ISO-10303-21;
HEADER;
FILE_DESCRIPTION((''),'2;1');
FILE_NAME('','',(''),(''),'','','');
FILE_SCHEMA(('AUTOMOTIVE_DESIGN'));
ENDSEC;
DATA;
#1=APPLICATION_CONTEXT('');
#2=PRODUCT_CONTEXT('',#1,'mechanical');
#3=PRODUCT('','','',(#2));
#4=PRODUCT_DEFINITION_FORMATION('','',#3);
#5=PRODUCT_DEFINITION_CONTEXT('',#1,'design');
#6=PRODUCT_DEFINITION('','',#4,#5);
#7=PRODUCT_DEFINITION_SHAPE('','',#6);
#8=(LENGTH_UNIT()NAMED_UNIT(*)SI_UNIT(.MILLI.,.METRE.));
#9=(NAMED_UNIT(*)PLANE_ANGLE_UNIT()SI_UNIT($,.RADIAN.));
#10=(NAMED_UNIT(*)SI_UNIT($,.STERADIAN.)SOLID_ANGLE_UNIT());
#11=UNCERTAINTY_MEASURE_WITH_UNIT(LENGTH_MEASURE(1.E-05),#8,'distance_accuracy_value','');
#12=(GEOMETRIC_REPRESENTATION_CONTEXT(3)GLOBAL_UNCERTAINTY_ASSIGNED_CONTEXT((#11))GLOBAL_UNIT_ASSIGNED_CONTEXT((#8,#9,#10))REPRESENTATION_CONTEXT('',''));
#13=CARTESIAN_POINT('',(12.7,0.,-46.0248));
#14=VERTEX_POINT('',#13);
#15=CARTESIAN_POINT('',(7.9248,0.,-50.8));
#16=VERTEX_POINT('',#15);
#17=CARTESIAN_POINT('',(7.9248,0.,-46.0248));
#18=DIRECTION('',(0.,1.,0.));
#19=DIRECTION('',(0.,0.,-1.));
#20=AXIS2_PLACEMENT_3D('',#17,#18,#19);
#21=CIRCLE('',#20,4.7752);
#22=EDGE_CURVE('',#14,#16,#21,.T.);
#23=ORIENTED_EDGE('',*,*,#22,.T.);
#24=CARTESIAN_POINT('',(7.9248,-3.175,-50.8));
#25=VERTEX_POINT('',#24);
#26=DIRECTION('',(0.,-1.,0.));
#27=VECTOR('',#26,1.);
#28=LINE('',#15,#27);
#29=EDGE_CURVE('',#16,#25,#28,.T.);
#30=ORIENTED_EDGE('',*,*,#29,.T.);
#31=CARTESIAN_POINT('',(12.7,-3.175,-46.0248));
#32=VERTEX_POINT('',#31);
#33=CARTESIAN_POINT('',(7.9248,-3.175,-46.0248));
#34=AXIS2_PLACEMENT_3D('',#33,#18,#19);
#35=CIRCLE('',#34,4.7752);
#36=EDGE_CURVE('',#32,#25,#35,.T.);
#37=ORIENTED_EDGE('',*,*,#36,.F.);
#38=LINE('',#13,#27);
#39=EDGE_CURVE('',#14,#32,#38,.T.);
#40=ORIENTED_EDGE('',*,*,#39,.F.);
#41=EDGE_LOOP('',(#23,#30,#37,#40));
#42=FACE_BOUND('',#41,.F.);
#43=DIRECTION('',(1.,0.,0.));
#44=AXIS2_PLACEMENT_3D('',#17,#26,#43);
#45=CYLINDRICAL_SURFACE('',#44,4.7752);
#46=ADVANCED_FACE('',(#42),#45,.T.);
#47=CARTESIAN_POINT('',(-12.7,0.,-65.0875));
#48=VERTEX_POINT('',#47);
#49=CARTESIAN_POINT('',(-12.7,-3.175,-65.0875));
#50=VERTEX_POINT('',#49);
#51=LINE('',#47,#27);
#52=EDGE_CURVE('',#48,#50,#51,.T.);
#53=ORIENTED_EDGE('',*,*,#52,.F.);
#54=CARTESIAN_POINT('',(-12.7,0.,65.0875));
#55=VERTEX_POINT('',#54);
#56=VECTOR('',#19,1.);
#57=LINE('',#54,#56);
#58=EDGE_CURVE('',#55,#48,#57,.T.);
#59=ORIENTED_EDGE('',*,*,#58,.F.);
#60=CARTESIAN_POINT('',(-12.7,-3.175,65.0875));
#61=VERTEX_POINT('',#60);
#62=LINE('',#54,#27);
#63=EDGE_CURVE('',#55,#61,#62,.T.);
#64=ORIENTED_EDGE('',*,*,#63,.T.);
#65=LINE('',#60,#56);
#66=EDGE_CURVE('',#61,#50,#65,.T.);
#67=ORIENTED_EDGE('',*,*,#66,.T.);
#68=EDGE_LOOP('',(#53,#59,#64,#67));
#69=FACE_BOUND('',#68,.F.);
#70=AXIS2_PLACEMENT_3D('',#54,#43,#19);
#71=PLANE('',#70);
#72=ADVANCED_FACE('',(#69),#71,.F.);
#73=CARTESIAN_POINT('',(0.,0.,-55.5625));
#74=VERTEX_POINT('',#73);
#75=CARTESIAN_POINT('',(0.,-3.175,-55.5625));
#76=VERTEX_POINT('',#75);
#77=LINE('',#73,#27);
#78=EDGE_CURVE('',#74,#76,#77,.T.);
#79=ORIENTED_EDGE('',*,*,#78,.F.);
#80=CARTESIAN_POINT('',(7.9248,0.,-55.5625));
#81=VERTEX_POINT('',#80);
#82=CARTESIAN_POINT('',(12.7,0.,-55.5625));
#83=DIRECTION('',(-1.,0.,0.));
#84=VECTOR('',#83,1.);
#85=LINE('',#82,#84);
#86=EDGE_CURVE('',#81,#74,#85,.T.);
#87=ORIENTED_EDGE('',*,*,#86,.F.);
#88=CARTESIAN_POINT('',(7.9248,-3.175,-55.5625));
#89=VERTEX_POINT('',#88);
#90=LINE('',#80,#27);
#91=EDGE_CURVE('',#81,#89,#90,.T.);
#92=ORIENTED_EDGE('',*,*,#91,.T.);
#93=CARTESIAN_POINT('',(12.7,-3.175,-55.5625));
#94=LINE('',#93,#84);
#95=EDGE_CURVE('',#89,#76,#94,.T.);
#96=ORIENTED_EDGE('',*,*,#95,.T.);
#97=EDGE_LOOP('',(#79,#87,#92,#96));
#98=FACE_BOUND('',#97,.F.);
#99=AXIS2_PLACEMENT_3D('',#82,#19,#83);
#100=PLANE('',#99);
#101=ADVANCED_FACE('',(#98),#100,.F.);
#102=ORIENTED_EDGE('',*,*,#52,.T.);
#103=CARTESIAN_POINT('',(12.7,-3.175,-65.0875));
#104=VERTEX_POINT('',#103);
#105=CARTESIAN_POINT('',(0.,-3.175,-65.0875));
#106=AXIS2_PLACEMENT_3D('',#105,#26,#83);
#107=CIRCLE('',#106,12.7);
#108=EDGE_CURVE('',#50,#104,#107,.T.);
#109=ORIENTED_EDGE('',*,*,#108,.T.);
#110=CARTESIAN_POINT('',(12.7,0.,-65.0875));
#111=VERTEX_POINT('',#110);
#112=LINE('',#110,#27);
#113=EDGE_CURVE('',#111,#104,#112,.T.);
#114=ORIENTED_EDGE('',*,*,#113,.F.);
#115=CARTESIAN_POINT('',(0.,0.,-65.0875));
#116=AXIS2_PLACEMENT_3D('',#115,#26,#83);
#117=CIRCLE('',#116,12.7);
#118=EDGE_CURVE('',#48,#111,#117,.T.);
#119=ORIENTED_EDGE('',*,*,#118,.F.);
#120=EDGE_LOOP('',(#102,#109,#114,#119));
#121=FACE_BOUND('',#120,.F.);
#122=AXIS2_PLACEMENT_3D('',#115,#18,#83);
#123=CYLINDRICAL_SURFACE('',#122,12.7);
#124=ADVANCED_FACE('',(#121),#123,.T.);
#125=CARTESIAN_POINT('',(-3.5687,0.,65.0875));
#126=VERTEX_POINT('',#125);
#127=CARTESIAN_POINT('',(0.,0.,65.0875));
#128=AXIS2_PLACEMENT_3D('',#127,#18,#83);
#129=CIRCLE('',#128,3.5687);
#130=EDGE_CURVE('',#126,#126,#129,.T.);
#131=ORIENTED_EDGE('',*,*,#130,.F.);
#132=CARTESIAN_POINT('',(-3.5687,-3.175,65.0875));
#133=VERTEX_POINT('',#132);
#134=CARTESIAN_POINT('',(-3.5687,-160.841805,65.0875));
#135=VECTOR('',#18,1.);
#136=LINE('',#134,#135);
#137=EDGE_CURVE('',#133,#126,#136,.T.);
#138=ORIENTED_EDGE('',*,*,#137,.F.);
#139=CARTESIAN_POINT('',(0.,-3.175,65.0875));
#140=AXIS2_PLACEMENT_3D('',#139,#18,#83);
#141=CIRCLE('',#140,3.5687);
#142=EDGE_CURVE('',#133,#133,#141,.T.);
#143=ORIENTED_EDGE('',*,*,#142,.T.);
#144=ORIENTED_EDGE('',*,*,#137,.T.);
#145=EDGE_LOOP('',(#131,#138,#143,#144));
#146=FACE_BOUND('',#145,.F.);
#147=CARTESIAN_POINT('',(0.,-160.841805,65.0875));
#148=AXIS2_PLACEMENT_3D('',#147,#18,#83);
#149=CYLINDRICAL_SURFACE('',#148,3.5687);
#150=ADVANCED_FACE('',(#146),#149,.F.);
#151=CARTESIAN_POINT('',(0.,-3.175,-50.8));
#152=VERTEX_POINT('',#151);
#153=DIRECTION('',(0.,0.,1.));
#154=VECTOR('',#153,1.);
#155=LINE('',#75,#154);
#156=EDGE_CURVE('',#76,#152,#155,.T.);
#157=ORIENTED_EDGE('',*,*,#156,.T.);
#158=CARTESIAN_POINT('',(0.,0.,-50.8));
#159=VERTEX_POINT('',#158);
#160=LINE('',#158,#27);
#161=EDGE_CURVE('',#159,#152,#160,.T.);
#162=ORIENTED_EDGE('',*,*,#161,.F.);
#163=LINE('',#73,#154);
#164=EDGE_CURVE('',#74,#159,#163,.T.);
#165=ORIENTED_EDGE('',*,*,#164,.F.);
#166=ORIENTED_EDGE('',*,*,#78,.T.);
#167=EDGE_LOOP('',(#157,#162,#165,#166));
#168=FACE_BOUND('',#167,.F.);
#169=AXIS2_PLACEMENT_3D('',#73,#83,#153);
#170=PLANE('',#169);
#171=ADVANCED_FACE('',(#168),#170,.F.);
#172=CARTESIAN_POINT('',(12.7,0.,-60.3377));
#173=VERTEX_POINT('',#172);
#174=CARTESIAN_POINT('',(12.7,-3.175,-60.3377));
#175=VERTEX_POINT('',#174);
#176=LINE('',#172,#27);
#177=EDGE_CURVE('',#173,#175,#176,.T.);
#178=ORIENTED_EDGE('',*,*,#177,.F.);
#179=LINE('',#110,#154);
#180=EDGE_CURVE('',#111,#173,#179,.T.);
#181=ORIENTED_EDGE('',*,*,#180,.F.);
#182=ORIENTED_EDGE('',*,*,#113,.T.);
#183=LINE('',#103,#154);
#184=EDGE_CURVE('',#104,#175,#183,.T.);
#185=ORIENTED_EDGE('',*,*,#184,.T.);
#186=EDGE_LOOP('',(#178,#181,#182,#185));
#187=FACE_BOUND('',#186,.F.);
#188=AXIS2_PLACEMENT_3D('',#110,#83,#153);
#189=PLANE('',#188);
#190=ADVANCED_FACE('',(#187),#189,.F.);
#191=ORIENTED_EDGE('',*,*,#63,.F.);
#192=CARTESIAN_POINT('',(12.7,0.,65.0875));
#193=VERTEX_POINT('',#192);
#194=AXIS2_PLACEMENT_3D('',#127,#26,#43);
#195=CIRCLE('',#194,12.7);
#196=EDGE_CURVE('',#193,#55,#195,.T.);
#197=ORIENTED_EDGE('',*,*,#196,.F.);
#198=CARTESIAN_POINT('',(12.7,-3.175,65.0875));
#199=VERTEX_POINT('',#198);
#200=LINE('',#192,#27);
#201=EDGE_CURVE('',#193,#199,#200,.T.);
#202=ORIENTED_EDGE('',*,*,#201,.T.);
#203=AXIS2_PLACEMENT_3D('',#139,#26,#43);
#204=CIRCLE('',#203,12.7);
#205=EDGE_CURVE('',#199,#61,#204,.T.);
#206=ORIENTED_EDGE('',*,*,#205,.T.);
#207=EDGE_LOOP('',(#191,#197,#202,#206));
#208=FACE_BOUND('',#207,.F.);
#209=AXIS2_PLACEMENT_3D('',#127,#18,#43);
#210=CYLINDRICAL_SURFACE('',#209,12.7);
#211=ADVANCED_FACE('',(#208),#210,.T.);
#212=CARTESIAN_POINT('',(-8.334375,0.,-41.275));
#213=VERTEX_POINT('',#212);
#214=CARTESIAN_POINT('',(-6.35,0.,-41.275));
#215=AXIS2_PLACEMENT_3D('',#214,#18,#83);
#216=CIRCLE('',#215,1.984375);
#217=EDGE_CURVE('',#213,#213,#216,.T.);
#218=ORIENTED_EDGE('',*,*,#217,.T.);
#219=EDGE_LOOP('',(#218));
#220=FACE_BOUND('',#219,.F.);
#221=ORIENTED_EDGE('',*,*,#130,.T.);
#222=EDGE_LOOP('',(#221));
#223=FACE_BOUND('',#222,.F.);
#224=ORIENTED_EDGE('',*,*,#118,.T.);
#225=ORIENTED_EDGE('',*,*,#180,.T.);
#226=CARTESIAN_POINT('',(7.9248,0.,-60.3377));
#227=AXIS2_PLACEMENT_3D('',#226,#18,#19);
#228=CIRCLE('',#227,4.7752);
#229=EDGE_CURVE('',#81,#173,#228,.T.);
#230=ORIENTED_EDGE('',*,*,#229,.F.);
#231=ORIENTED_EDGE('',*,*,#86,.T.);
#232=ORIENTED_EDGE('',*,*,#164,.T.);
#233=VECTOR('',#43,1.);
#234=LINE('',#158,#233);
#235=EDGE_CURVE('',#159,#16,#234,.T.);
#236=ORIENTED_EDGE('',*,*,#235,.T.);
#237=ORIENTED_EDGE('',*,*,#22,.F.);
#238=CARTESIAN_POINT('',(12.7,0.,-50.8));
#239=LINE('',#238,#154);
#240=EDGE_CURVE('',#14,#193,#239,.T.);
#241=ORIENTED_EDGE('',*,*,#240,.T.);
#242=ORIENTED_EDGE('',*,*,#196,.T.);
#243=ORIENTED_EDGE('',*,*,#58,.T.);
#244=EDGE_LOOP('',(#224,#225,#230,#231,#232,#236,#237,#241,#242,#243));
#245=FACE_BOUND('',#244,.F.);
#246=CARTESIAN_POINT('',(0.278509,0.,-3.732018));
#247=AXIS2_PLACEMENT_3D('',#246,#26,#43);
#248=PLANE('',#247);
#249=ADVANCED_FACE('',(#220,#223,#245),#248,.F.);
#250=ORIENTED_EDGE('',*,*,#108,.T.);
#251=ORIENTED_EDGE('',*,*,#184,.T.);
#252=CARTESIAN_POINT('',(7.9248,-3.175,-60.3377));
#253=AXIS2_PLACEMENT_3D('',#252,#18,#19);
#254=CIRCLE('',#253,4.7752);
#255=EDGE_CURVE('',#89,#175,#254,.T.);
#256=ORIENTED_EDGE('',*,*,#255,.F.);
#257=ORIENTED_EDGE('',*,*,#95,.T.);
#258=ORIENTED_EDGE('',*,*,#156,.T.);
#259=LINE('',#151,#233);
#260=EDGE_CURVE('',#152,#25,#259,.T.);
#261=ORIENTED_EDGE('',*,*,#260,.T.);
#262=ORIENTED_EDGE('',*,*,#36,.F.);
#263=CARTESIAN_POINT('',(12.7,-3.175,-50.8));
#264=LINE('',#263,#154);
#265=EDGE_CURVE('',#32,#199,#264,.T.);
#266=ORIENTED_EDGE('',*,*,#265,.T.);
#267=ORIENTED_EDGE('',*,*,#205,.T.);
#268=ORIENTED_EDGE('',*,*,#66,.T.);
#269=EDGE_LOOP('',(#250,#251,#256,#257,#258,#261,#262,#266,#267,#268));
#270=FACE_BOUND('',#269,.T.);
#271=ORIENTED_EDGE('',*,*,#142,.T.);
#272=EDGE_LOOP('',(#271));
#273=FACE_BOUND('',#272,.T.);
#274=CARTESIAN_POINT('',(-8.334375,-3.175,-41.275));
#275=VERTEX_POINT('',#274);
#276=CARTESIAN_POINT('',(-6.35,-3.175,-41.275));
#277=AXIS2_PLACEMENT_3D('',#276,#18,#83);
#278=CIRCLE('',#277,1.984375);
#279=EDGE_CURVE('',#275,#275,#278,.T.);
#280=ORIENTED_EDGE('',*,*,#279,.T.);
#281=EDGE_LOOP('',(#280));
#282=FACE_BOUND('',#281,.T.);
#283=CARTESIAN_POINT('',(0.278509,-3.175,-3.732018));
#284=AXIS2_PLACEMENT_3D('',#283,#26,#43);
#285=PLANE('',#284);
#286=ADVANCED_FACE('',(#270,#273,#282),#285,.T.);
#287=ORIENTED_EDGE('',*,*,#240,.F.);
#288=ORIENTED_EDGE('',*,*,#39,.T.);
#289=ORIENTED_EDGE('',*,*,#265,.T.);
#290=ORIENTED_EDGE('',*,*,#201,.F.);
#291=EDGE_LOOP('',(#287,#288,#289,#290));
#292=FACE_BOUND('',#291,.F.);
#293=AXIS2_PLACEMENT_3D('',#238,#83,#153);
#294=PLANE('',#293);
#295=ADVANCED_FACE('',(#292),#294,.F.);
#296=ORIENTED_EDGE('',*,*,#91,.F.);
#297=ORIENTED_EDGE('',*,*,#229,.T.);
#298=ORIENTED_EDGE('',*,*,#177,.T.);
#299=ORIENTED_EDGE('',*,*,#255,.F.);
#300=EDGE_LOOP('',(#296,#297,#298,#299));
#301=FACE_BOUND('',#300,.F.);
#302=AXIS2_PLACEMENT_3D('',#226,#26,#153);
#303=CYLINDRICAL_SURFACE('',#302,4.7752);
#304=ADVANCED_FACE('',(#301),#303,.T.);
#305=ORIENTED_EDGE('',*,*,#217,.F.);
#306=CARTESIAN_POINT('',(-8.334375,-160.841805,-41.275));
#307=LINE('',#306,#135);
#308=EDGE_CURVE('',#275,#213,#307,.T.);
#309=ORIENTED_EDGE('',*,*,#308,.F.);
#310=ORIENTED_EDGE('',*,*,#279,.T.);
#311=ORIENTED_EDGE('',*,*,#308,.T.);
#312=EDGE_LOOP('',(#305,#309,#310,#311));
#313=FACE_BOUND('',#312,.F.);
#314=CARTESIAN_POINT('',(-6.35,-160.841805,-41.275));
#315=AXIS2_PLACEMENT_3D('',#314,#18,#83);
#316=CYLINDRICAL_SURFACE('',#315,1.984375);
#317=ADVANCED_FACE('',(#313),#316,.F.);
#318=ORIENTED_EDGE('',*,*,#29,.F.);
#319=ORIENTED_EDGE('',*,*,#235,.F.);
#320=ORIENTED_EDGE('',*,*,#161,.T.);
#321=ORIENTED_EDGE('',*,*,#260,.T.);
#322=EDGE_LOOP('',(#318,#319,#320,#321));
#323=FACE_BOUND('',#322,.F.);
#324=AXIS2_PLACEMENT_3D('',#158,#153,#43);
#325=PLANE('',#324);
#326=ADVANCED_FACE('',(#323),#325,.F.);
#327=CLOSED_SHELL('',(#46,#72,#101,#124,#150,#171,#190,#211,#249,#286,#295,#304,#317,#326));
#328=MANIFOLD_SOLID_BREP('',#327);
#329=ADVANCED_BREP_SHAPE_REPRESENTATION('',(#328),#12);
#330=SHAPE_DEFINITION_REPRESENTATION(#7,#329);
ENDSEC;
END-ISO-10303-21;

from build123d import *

# Parameters (mm, degrees)
F1_DEPTH = 3.175
F3_D     = 7.1374
F5_D     = 3.96875
F6_R     = 4.7752


with BuildPart() as f1:
    # F0 (on Front) → F1 (new body)
    with BuildSketch(Plane.XZ):
        with BuildLine():
            Line((12.7, -50.8), (12.7, 65.0875))
            ThreePointArc((12.7, 65.0875), (0, 77.7875), (-12.7, 65.0875))
            Line((-12.7, 65.0875), (-12.7, -65.0875))
            ThreePointArc((-12.7, -65.0875), (0, -77.7875), (12.7, -65.0875))
            Line((12.7, -65.0875), (12.7, -55.5625))
            Line((12.7, -55.5625), (0, -55.5625))
            Line((0, -55.5625), (0, -50.8))
            Line((0, -50.8), (12.7, -50.8))
        make_face()
    extrude(amount=F1_DEPTH)

    # F3 (through all)
    with Locations(Plane.XZ.offset(3.175)):
        with Locations((0, 65.0875)):
            Hole(F3_D / 2)

    # F5 (through all)
    with Locations(Plane.XZ.offset(3.175)):
        with Locations((-6.35, -41.275)):
            Hole(F5_D / 2)

    # F6
    f6_edges = [f1.edges().sort_by_distance(p)[0] for p in [
        (12.7, -1.5875, -55.5625),
        (12.7, -1.5875, -50.8),
    ]]
    fillet(f6_edges, radius=F6_R)


solid = f1.part
